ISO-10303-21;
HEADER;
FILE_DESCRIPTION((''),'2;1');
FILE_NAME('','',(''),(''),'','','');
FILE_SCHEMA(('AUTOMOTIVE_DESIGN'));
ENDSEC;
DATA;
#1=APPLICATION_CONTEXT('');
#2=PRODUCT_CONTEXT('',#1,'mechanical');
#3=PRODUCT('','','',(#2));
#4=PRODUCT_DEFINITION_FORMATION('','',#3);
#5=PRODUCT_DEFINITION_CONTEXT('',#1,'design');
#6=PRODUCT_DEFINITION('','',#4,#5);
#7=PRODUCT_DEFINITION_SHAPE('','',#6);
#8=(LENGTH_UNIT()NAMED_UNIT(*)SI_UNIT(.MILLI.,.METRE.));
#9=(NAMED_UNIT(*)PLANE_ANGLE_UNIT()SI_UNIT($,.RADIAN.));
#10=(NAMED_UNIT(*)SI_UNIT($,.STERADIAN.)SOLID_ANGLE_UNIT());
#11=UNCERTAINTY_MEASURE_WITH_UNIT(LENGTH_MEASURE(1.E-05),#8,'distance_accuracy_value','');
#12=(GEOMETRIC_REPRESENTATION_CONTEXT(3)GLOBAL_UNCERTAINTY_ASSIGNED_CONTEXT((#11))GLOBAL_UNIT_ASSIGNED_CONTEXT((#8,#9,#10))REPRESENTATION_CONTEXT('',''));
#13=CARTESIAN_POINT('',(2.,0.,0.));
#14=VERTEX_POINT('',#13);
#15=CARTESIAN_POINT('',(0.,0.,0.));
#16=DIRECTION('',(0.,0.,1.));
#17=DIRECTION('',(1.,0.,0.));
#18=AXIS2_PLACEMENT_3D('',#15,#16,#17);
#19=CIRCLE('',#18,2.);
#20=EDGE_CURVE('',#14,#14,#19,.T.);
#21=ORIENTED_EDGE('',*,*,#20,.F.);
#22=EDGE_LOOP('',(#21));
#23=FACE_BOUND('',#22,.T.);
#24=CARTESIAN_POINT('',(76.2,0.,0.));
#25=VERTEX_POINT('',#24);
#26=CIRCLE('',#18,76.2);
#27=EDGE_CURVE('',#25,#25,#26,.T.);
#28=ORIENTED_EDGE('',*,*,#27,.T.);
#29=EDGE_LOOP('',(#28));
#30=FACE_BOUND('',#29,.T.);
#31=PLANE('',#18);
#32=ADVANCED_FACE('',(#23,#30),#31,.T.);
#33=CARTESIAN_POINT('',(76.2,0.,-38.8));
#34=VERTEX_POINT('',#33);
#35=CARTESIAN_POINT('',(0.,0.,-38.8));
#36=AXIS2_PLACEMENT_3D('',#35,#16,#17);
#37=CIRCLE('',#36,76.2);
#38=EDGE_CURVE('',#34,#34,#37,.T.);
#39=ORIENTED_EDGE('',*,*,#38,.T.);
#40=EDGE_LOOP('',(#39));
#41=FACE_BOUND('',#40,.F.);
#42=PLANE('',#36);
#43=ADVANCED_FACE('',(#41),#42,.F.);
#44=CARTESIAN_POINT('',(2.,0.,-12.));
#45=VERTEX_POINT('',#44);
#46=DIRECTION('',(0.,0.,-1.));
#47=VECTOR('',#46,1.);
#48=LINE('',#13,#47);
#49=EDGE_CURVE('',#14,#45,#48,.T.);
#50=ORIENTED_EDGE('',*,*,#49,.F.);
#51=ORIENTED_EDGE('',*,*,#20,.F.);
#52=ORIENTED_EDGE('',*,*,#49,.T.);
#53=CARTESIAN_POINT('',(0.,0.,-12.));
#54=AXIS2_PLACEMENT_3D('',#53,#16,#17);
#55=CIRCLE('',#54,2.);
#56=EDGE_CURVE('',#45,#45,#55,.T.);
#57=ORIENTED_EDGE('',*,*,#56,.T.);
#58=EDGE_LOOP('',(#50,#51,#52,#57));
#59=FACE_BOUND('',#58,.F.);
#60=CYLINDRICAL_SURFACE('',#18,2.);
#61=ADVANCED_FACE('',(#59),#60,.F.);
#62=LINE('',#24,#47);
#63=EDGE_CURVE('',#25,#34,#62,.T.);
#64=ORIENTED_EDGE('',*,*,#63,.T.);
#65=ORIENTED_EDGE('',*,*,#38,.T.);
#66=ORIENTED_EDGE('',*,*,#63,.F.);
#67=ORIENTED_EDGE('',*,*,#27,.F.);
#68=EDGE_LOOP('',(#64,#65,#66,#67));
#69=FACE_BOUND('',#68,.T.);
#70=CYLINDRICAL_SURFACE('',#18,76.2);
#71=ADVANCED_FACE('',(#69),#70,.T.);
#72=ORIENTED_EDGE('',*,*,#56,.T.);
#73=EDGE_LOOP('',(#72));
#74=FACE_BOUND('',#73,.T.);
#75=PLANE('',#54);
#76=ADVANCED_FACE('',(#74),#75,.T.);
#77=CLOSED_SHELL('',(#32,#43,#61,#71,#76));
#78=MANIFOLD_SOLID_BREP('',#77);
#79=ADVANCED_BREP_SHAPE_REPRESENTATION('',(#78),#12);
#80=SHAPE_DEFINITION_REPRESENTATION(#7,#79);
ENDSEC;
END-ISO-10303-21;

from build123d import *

# Parameters (mm, degrees)
F0_R     = 9
F0_R_2   = 2
F1_DEPTH = 12
F2_R     = 76.2
F3_DEPTH = 38.8
F5_R     = 2
F6_DEPTH = 12


with BuildPart() as f1:
    # F0 (on Top) → F1 (new body)
    with BuildSketch(Plane.XY):
        with Locations((0.035375, -0.025554)):
            Circle(F0_R)
        with Locations((0.035375, -0.025554)):
            Circle(F0_R_2, mode=Mode.SUBTRACT)
    extrude(amount=-F1_DEPTH)

    # F2 (on Top) → F3 (join)
    with BuildSketch(Plane.XY):
        Circle(F2_R)
    extrude(amount=-F3_DEPTH)

    # F5 (on face) → F6 (cut)
    with BuildSketch(Plane.XY):
        Circle(F5_R)
    extrude(amount=-F6_DEPTH, mode=Mode.SUBTRACT)


solid = f1.part
